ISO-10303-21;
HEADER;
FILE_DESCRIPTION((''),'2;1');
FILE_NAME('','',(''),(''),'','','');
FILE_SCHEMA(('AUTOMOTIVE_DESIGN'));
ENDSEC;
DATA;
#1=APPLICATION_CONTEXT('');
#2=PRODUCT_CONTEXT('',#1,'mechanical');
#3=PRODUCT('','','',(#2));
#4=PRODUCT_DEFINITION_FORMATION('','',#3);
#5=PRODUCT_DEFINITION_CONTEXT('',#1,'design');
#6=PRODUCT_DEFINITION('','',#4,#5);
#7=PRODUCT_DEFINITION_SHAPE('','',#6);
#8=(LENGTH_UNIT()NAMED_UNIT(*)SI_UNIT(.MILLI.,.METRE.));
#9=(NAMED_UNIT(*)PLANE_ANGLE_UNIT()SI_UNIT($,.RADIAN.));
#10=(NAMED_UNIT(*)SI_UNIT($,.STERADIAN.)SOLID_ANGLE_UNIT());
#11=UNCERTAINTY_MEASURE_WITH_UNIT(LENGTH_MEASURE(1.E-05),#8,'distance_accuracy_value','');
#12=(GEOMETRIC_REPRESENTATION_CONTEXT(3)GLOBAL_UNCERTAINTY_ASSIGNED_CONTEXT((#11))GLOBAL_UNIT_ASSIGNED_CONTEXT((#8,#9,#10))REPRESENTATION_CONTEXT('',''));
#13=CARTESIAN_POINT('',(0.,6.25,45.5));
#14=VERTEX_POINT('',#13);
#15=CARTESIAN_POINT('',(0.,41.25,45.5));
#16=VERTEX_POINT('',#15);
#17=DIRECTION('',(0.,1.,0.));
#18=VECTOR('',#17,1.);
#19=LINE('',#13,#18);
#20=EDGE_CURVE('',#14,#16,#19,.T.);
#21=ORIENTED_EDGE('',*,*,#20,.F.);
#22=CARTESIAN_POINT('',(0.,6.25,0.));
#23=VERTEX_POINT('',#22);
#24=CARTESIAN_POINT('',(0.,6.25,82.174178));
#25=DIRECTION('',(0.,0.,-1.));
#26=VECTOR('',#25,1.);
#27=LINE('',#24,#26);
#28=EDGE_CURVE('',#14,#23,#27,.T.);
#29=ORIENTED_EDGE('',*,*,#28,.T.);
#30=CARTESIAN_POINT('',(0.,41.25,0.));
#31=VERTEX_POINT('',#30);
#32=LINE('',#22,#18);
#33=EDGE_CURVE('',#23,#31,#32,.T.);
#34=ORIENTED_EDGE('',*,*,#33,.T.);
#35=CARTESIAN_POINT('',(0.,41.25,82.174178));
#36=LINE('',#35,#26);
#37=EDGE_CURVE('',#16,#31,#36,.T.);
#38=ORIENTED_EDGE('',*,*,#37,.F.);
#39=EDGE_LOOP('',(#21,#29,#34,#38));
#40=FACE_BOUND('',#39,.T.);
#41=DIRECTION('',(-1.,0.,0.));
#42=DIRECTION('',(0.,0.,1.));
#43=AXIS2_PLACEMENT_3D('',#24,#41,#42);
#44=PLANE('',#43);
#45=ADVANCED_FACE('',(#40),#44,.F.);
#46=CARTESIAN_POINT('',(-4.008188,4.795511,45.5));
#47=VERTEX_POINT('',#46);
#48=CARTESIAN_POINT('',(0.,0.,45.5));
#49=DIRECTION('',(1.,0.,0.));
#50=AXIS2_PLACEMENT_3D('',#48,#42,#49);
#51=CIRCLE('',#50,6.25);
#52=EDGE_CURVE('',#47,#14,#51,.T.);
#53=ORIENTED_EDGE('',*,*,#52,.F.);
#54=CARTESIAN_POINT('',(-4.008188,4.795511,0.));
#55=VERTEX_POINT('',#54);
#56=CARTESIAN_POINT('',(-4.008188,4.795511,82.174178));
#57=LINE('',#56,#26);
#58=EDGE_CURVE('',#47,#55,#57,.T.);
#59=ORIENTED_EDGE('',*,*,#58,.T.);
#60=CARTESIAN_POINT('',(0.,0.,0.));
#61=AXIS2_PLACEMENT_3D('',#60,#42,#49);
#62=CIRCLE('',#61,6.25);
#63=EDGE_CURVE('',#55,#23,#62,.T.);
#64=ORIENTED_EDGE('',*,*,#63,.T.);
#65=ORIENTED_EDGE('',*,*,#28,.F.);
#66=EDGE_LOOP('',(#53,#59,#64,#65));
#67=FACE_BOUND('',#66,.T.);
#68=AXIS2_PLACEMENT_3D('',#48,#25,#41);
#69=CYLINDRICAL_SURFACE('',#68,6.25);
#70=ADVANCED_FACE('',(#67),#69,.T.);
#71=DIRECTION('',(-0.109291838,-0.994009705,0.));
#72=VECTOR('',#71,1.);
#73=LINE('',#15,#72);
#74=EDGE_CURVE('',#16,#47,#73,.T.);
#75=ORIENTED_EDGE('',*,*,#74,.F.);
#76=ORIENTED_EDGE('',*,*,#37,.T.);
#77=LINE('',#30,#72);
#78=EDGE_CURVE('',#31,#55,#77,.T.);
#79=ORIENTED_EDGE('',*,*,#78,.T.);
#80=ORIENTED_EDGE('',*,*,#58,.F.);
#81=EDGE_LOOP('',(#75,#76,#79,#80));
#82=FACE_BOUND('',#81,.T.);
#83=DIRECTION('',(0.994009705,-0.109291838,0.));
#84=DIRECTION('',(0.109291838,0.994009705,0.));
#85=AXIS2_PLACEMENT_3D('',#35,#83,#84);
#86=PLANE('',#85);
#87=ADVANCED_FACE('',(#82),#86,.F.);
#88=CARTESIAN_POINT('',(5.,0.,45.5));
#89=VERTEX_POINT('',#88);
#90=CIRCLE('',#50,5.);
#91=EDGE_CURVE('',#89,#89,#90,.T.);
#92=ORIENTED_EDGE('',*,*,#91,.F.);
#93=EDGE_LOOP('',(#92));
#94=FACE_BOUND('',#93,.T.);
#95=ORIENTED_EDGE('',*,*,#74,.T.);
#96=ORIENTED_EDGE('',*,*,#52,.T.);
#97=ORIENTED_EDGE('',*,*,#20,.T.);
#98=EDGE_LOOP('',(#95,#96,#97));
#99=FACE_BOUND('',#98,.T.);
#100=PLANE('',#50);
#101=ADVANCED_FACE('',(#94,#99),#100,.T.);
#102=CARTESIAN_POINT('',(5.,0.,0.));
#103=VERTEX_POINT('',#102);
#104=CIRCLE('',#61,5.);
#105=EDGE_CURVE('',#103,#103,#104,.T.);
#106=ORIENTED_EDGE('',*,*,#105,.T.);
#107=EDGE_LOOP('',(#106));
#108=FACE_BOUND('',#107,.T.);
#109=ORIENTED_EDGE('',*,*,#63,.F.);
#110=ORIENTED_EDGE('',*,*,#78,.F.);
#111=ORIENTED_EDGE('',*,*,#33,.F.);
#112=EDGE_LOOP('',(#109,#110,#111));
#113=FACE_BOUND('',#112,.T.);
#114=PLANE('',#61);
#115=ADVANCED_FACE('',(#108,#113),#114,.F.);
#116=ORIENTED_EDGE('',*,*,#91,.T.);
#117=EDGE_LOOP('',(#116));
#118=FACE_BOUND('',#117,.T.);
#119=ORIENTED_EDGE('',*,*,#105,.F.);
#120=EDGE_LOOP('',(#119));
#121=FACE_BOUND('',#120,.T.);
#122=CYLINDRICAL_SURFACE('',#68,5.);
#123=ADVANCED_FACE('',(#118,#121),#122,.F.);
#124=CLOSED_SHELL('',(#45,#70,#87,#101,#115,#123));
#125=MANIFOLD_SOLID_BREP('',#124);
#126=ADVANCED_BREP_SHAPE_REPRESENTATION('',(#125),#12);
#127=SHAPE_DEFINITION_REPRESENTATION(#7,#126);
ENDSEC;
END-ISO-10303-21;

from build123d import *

# Parameters (mm, degrees)
SKETCH1_R           = 6.25
SKETCH1_R_2         = 5
BOSS_EXTRUDE1_DEPTH = 45.5
BOSS_EXTRUDE4_DEPTH = 45.5


with BuildPart() as part:
    # Sketch1 → Boss-Extrude1 (new body)
    with BuildSketch(Plane.XY):
        Circle(SKETCH1_R)
        Circle(SKETCH1_R_2, mode=Mode.SUBTRACT)
    extrude(amount=BOSS_EXTRUDE1_DEPTH)

    # Sketch6 → Boss-Extrude4 (add)
    with BuildSketch(Plane.XY):
        with BuildLine():
            Line((0, 6.25), (0, 41.25))
            Line((0, 41.25), (-4.008188313, 4.795511073))
            ThreePointArc((-4.008188313, 4.795511073), (-2.131965736, 5.875135922), (0, 6.25))
        make_face()
    extrude(amount=BOSS_EXTRUDE4_DEPTH)


solid = part.part
